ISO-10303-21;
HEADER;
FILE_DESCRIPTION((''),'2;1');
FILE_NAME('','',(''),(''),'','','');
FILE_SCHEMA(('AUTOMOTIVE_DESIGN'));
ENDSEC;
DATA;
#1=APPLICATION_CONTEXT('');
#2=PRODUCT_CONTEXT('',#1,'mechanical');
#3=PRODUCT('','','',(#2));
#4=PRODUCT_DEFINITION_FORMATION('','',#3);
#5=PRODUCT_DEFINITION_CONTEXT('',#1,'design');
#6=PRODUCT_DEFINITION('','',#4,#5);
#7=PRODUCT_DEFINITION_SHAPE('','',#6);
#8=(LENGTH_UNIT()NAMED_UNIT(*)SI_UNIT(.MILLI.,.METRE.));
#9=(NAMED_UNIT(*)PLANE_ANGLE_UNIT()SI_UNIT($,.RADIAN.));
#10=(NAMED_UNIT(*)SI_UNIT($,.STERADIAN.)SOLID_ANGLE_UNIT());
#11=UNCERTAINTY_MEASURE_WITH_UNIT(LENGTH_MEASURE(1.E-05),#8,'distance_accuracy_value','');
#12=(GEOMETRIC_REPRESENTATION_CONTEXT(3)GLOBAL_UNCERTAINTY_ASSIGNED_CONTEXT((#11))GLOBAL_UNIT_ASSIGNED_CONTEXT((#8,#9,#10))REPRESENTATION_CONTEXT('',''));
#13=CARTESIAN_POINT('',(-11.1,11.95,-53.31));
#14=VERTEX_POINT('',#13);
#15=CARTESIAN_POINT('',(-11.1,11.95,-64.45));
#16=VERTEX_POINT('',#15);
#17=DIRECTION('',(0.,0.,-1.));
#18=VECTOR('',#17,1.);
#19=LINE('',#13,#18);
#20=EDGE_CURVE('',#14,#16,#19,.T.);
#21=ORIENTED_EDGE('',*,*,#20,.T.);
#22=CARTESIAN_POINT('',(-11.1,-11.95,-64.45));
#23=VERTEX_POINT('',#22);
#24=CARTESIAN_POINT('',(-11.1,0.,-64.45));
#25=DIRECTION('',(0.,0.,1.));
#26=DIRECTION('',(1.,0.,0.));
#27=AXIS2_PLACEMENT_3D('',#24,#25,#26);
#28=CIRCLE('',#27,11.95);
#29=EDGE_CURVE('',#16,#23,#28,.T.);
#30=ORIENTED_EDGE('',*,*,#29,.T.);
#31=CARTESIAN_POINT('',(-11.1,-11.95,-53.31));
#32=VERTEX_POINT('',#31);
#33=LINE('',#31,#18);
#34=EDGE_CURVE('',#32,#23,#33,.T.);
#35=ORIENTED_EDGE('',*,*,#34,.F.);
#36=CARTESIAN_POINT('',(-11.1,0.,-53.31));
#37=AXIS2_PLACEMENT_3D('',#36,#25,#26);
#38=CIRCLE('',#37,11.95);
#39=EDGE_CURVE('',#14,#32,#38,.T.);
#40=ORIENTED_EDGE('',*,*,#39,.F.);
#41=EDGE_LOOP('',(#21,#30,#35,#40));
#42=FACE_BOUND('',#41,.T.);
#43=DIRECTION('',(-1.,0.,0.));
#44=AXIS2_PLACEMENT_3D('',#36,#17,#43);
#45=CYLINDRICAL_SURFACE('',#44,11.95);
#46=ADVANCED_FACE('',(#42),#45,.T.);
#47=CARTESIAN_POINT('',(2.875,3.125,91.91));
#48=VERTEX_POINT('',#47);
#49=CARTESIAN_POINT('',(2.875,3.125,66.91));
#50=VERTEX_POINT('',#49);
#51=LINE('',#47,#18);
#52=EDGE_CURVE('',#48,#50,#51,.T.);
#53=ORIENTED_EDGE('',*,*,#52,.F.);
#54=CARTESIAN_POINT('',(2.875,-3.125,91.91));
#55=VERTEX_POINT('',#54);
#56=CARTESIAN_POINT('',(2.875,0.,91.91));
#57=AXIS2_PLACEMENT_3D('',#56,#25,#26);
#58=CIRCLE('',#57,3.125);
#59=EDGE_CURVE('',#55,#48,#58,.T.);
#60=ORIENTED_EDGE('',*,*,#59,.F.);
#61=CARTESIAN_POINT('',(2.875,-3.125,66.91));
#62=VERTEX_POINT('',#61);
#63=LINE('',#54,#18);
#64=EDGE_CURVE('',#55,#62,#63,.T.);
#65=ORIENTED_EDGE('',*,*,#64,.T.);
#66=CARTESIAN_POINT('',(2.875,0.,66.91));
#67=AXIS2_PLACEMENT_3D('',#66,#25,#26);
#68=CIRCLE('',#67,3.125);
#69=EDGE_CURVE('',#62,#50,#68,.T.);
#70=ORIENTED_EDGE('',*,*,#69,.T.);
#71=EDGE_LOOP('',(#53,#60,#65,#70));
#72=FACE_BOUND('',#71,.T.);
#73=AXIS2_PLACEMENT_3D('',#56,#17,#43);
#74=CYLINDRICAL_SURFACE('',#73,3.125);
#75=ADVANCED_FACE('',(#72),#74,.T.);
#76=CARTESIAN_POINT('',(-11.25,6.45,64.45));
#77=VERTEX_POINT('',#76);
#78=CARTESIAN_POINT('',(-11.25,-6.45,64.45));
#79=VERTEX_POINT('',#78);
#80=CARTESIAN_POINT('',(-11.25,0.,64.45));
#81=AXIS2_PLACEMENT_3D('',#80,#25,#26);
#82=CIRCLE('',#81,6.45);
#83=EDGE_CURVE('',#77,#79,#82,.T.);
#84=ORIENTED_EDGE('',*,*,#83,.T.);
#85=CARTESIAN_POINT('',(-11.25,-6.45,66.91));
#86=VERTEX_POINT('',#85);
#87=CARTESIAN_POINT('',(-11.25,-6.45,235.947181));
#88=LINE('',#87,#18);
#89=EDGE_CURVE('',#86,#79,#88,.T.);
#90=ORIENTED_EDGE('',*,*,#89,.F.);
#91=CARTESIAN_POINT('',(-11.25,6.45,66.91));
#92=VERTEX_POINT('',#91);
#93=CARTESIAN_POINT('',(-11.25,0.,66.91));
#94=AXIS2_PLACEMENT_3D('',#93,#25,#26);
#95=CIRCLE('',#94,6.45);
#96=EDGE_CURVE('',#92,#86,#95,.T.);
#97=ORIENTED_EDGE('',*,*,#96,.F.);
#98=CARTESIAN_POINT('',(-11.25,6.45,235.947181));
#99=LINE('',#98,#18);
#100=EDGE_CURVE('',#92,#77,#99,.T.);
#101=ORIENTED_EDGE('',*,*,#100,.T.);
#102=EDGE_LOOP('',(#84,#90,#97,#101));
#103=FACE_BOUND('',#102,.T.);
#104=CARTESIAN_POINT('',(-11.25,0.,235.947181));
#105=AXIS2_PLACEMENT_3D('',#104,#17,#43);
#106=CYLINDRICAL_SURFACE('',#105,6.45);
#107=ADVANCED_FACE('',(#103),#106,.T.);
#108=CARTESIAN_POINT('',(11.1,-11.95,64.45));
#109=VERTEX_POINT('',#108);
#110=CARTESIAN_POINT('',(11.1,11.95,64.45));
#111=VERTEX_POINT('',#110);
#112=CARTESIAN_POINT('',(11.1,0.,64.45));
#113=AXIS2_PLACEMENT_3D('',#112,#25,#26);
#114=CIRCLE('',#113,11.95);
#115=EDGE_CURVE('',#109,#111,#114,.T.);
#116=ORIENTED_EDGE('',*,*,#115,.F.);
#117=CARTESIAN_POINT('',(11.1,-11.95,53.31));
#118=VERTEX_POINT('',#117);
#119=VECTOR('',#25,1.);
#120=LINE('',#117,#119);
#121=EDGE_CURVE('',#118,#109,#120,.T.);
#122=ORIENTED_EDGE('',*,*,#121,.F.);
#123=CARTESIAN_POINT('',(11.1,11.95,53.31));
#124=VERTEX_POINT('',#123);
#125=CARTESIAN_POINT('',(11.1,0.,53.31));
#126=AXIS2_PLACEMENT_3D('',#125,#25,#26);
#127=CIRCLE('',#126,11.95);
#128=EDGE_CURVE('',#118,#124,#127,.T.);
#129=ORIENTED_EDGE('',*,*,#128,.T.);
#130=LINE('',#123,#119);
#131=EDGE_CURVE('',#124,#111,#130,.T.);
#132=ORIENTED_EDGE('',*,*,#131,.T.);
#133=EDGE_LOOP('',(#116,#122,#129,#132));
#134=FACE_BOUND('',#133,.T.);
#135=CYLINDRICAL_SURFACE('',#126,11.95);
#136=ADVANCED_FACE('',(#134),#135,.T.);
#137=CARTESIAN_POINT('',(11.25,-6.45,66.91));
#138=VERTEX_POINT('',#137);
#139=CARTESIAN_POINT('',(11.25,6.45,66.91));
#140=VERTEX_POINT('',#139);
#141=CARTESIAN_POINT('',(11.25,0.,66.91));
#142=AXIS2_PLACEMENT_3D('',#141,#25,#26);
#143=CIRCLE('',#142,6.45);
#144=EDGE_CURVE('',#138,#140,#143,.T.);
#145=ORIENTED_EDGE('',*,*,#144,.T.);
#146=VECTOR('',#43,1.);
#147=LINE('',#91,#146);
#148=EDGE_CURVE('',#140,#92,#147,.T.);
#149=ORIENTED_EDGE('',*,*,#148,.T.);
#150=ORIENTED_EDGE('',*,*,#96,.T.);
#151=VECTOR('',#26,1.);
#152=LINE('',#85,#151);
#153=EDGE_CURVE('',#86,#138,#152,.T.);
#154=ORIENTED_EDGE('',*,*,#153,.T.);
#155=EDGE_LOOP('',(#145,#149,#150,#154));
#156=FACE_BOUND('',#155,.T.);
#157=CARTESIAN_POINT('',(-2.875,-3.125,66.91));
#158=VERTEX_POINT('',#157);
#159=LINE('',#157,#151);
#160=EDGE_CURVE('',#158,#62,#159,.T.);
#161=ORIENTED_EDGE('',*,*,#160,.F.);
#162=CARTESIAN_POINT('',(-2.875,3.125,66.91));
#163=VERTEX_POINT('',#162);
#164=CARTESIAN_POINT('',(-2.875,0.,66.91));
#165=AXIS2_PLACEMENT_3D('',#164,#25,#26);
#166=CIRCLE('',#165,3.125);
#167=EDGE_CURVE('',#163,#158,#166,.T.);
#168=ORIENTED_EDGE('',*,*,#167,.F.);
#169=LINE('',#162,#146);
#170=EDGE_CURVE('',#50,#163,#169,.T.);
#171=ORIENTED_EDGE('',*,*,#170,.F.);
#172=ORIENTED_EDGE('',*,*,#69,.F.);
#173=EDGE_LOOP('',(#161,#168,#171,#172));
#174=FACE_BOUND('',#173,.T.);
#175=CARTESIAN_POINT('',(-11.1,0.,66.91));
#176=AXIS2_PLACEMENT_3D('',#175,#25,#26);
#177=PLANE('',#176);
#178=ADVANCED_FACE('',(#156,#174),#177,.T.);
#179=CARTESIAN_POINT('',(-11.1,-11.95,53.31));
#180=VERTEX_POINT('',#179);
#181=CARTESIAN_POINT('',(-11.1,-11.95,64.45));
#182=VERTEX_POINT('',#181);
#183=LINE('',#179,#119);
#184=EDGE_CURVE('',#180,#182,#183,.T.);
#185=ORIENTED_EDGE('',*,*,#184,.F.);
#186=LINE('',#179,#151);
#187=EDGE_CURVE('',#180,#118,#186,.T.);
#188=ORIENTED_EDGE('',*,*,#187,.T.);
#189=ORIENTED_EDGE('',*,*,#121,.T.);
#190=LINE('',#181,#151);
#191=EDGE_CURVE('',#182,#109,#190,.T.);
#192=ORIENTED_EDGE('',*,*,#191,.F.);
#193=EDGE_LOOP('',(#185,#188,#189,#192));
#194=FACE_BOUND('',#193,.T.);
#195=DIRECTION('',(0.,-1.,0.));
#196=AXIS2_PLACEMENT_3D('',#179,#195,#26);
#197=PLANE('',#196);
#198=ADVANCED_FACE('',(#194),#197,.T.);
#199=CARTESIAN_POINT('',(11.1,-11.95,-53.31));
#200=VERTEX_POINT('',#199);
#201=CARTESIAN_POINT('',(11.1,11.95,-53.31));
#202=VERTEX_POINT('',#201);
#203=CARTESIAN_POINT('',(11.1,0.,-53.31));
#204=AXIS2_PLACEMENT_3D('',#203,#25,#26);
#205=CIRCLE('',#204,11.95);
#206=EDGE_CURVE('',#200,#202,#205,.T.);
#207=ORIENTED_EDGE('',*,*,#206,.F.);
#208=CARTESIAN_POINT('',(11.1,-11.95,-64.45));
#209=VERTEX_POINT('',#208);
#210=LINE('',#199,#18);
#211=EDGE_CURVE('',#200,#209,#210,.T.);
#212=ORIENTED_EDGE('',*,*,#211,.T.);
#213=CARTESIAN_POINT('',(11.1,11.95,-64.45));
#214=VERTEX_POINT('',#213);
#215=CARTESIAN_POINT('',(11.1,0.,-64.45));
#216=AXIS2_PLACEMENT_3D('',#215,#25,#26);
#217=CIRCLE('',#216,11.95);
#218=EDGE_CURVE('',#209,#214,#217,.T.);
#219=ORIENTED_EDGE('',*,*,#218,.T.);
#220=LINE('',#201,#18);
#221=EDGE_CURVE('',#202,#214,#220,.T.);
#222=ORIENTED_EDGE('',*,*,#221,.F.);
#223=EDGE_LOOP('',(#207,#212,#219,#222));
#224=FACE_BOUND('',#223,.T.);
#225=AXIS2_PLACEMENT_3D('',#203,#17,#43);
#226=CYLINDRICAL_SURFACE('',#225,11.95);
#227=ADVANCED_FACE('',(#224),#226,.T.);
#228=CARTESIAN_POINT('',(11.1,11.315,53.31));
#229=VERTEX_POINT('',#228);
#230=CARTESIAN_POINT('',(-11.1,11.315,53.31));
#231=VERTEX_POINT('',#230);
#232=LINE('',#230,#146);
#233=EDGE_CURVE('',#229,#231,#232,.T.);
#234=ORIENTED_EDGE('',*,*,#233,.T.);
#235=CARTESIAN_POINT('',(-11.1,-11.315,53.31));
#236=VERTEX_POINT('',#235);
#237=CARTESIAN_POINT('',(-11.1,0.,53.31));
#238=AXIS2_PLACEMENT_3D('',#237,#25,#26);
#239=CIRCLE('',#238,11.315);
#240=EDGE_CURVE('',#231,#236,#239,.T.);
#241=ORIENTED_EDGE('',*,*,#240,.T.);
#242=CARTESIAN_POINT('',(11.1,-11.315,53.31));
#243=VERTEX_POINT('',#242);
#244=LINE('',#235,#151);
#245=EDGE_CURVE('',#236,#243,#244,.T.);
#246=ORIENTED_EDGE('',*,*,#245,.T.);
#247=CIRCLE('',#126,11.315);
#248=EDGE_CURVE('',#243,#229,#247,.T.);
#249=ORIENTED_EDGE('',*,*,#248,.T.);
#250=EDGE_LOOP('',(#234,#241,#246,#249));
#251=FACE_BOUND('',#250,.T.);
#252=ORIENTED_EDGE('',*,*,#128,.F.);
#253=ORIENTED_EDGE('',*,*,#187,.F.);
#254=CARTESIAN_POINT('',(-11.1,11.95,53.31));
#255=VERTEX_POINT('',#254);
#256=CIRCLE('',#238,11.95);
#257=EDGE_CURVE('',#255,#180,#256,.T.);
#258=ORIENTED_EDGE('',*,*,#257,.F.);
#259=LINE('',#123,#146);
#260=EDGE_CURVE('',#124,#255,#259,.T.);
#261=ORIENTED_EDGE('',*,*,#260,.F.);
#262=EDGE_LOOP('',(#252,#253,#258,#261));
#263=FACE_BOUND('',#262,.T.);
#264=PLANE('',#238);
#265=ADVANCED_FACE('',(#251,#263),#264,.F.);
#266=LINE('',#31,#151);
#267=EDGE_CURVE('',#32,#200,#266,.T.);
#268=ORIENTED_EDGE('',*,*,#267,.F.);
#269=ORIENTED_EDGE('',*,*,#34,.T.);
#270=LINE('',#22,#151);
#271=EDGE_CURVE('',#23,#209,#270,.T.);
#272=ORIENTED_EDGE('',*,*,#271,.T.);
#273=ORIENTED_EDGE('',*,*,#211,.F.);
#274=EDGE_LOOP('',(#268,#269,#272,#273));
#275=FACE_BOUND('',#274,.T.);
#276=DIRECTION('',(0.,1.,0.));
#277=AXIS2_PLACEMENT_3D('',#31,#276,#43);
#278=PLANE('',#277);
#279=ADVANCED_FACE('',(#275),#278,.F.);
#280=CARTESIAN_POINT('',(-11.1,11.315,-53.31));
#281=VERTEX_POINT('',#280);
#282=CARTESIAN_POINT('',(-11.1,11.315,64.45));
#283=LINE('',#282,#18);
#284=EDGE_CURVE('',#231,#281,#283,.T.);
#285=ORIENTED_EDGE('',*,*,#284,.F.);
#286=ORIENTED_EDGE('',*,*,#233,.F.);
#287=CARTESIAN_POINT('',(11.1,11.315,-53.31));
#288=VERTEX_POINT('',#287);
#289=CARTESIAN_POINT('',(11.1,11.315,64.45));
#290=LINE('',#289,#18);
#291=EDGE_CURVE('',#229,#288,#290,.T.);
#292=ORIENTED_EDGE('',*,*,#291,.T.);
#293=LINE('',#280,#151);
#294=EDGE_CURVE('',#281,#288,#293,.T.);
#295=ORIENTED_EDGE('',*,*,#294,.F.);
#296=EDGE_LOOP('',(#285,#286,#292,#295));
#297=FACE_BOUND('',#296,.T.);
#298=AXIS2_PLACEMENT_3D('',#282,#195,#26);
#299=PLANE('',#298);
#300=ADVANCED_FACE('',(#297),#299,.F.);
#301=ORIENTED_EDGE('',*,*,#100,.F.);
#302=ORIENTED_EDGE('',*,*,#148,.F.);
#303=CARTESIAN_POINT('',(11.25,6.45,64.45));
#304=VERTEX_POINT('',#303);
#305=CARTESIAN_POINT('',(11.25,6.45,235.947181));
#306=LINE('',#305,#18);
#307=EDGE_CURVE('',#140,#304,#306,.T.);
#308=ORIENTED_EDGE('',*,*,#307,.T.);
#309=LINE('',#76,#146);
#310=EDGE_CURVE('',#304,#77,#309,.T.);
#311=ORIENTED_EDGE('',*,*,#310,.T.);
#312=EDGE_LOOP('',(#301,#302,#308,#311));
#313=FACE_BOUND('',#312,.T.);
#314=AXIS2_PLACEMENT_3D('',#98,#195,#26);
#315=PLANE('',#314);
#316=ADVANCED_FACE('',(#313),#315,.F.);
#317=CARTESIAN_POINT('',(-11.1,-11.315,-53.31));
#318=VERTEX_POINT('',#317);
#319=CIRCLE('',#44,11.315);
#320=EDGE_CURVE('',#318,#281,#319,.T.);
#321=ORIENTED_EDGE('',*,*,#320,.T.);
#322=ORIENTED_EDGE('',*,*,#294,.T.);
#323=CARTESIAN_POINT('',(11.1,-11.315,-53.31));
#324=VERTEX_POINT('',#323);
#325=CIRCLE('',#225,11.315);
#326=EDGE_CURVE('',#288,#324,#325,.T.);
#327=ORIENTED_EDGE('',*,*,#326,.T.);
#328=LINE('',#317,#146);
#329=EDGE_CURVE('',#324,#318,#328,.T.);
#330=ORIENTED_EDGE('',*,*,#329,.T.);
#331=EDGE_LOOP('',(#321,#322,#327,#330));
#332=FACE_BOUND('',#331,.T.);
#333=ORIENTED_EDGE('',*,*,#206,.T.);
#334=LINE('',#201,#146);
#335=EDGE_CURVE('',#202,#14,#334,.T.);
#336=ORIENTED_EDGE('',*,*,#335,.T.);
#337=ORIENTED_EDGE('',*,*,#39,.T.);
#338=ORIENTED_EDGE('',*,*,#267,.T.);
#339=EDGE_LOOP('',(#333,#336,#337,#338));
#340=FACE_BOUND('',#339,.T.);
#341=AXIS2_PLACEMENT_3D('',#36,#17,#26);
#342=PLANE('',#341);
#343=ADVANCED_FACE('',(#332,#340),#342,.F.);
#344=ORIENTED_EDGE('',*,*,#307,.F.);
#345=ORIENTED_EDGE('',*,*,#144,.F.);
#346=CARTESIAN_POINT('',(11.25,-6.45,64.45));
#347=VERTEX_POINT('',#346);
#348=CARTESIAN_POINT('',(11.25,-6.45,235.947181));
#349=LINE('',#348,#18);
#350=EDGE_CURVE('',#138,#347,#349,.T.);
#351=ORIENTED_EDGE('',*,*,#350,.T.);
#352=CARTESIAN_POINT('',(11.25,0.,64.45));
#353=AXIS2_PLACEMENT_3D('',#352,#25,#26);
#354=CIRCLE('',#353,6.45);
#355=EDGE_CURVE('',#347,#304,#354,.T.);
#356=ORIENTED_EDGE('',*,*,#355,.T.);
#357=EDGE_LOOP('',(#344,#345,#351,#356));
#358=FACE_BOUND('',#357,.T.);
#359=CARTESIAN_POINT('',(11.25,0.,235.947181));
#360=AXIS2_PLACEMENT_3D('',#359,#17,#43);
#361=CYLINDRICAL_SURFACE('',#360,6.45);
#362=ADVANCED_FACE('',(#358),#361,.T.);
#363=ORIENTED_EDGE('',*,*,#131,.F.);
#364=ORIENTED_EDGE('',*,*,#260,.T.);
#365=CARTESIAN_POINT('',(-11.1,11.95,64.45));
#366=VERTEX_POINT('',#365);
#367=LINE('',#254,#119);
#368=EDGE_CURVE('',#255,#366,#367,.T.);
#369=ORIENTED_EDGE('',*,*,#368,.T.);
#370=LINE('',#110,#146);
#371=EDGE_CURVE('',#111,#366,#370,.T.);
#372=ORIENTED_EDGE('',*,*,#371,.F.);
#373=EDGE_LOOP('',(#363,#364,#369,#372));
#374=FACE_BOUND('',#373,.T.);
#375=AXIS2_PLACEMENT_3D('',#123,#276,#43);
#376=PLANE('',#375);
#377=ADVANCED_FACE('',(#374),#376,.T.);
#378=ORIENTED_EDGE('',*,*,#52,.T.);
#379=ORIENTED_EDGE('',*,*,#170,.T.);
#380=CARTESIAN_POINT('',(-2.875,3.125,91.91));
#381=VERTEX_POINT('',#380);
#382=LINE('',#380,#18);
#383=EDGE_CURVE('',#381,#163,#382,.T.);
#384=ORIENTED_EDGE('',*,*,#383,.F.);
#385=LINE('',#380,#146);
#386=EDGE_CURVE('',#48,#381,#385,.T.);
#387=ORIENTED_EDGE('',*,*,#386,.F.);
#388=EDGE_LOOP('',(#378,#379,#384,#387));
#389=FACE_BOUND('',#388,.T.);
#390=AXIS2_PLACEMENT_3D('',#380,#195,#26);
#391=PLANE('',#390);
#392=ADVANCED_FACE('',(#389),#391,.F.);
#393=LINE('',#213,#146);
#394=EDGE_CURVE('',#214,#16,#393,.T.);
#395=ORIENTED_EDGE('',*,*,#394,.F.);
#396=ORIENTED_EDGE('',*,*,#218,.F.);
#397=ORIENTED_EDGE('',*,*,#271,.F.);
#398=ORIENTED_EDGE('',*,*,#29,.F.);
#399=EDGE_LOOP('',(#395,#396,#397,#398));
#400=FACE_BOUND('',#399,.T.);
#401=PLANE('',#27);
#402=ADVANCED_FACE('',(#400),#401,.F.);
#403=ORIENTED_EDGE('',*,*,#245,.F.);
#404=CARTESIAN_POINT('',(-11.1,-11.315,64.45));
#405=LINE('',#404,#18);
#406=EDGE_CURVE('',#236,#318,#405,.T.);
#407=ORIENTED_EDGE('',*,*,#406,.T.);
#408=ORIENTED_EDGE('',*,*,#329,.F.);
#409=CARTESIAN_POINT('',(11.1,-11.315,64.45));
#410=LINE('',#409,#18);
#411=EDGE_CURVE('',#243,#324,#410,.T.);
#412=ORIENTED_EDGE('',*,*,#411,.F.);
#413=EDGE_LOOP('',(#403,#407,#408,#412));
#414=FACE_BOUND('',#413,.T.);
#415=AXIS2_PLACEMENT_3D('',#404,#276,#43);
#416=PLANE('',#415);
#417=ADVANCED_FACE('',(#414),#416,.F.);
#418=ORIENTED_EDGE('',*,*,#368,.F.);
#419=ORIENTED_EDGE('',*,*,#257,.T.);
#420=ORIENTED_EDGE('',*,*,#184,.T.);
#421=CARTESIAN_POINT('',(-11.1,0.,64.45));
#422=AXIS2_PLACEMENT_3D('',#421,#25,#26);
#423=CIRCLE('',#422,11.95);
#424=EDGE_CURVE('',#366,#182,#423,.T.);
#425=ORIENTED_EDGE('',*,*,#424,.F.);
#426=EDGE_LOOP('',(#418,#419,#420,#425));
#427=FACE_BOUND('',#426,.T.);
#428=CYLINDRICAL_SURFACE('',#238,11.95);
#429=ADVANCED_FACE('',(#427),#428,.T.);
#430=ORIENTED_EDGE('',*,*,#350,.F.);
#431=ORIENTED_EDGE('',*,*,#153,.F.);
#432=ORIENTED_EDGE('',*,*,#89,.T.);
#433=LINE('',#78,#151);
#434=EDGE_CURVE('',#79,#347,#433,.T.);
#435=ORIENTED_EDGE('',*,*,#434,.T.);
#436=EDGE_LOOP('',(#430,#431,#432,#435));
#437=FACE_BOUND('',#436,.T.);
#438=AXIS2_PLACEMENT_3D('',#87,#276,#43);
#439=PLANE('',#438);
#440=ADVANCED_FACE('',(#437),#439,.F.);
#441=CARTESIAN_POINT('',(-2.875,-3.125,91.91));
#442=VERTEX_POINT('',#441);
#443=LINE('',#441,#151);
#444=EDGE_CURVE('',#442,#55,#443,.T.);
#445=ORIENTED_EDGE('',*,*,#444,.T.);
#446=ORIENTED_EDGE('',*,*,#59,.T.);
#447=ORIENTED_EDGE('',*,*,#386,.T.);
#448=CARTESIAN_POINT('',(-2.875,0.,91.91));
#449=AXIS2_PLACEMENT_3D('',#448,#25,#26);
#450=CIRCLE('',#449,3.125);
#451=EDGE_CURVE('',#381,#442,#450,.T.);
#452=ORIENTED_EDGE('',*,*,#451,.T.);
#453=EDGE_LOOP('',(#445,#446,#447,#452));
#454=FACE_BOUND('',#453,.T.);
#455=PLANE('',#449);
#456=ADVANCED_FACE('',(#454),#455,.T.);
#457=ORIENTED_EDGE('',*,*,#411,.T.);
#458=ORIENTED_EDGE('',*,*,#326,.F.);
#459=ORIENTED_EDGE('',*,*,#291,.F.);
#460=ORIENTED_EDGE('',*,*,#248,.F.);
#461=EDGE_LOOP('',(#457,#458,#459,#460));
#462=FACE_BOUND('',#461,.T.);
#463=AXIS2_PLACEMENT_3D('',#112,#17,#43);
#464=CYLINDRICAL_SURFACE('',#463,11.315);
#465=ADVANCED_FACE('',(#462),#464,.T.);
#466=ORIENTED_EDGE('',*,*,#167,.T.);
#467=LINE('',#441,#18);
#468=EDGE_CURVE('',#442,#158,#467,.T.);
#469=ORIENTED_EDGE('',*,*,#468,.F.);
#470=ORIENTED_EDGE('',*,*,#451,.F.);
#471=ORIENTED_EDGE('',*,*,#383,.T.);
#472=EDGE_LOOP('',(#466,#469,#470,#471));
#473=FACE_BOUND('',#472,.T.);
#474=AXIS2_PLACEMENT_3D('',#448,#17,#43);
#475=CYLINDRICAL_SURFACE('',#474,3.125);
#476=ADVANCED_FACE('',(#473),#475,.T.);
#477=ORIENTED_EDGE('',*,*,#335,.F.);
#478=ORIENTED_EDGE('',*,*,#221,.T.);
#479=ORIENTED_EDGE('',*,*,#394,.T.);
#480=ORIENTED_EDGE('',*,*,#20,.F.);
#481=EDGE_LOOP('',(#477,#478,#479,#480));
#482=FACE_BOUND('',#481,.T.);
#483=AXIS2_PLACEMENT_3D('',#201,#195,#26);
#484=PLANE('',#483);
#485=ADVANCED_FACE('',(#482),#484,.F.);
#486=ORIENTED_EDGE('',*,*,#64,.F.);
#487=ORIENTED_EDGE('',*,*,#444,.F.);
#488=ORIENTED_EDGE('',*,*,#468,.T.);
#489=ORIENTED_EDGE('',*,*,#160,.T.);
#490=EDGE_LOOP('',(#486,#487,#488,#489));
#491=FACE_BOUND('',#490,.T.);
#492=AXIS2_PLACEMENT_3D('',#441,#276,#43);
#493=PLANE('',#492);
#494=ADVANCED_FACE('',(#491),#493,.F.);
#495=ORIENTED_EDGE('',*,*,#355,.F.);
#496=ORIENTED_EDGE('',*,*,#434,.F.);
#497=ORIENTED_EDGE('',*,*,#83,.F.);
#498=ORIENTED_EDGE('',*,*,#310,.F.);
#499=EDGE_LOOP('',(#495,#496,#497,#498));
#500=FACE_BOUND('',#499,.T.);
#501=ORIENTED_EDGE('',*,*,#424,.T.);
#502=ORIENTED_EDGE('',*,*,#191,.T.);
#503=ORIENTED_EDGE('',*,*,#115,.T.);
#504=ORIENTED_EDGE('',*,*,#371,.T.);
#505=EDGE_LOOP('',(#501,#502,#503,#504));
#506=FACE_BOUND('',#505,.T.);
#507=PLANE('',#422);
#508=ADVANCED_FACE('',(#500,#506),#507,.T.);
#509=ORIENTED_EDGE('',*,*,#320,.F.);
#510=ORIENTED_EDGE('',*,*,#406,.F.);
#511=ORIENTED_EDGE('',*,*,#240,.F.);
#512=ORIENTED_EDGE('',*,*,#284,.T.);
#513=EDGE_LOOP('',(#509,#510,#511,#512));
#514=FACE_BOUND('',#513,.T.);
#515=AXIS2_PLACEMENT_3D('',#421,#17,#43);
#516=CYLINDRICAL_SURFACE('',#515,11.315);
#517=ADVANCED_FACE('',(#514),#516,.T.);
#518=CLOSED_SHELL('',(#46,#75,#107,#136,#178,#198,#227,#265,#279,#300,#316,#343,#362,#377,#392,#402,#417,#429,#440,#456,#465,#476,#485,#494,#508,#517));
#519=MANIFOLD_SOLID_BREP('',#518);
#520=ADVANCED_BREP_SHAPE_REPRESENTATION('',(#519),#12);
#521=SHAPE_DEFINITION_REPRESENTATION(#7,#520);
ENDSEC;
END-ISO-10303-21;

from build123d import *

# Parameters (mm, degrees)
BOSS_EXTRUDE1_DEPTH = 64.45
BOSS_EXTRUDE2_DEPTH = 11.14
BOSS_EXTRUDE3_DEPTH = 2.46
BOSS_EXTRUDE4_DEPTH = 25


with BuildPart() as part:
    # Sketch1 → Boss-Extrude1 (new, symmetric)
    with BuildSketch(Plane.XY):
        with BuildLine():
            Line((-11.1, 11.315), (11.1, 11.315))
            ThreePointArc((11.1, 11.315), (22.415, 0), (11.1, -11.315))
            Line((11.1, -11.315), (-11.1, -11.315))
            ThreePointArc((-11.1, -11.315), (-22.415, 0), (-11.1, 11.315))
        make_face()
    extrude(amount=BOSS_EXTRUDE1_DEPTH, both=True)

    # Sketch2 → Boss-Extrude2 (add)
    with BuildSketch(Plane.XY.offset(64.45)):
        with BuildLine():
            Line((-11.1, -11.95), (11.1, -11.95))
            ThreePointArc((11.1, -11.95), (23.05, 0), (11.1, 11.95))
            Line((11.1, 11.95), (-11.1, 11.95))
            ThreePointArc((-11.1, 11.95), (-23.05, 0), (-11.1, -11.95))
        make_face()
    boss_extrude2 = extrude(amount=-BOSS_EXTRUDE2_DEPTH)

    # Mirror1: Boss-Extrude2 across plane
    add(boss_extrude2.mirror(Plane.XY))

    # Sketch3 → Boss-Extrude3 (add)
    with BuildSketch(Plane.XY.offset(64.45)):
        with BuildLine():
            Line((-11.25, 6.45), (11.25, 6.45))
            ThreePointArc((11.25, 6.45), (17.7, 0), (11.25, -6.45))
            Line((11.25, -6.45), (-11.25, -6.45))
            ThreePointArc((-11.25, -6.45), (-17.7, 0), (-11.25, 6.45))
        make_face()
    extrude(amount=BOSS_EXTRUDE3_DEPTH)

    # Sketch4 → Boss-Extrude4 (add)
    with BuildSketch(Plane.XY.offset(66.91)):
        with BuildLine():
            Line((-2.875, 3.125), (2.875, 3.125))
            ThreePointArc((2.875, 3.125), (6, 0), (2.875, -3.125))
            Line((2.875, -3.125), (-2.875, -3.125))
            ThreePointArc((-2.875, -3.125), (-6, 0), (-2.875, 3.125))
        make_face()
    extrude(amount=BOSS_EXTRUDE4_DEPTH)


solid = part.part
